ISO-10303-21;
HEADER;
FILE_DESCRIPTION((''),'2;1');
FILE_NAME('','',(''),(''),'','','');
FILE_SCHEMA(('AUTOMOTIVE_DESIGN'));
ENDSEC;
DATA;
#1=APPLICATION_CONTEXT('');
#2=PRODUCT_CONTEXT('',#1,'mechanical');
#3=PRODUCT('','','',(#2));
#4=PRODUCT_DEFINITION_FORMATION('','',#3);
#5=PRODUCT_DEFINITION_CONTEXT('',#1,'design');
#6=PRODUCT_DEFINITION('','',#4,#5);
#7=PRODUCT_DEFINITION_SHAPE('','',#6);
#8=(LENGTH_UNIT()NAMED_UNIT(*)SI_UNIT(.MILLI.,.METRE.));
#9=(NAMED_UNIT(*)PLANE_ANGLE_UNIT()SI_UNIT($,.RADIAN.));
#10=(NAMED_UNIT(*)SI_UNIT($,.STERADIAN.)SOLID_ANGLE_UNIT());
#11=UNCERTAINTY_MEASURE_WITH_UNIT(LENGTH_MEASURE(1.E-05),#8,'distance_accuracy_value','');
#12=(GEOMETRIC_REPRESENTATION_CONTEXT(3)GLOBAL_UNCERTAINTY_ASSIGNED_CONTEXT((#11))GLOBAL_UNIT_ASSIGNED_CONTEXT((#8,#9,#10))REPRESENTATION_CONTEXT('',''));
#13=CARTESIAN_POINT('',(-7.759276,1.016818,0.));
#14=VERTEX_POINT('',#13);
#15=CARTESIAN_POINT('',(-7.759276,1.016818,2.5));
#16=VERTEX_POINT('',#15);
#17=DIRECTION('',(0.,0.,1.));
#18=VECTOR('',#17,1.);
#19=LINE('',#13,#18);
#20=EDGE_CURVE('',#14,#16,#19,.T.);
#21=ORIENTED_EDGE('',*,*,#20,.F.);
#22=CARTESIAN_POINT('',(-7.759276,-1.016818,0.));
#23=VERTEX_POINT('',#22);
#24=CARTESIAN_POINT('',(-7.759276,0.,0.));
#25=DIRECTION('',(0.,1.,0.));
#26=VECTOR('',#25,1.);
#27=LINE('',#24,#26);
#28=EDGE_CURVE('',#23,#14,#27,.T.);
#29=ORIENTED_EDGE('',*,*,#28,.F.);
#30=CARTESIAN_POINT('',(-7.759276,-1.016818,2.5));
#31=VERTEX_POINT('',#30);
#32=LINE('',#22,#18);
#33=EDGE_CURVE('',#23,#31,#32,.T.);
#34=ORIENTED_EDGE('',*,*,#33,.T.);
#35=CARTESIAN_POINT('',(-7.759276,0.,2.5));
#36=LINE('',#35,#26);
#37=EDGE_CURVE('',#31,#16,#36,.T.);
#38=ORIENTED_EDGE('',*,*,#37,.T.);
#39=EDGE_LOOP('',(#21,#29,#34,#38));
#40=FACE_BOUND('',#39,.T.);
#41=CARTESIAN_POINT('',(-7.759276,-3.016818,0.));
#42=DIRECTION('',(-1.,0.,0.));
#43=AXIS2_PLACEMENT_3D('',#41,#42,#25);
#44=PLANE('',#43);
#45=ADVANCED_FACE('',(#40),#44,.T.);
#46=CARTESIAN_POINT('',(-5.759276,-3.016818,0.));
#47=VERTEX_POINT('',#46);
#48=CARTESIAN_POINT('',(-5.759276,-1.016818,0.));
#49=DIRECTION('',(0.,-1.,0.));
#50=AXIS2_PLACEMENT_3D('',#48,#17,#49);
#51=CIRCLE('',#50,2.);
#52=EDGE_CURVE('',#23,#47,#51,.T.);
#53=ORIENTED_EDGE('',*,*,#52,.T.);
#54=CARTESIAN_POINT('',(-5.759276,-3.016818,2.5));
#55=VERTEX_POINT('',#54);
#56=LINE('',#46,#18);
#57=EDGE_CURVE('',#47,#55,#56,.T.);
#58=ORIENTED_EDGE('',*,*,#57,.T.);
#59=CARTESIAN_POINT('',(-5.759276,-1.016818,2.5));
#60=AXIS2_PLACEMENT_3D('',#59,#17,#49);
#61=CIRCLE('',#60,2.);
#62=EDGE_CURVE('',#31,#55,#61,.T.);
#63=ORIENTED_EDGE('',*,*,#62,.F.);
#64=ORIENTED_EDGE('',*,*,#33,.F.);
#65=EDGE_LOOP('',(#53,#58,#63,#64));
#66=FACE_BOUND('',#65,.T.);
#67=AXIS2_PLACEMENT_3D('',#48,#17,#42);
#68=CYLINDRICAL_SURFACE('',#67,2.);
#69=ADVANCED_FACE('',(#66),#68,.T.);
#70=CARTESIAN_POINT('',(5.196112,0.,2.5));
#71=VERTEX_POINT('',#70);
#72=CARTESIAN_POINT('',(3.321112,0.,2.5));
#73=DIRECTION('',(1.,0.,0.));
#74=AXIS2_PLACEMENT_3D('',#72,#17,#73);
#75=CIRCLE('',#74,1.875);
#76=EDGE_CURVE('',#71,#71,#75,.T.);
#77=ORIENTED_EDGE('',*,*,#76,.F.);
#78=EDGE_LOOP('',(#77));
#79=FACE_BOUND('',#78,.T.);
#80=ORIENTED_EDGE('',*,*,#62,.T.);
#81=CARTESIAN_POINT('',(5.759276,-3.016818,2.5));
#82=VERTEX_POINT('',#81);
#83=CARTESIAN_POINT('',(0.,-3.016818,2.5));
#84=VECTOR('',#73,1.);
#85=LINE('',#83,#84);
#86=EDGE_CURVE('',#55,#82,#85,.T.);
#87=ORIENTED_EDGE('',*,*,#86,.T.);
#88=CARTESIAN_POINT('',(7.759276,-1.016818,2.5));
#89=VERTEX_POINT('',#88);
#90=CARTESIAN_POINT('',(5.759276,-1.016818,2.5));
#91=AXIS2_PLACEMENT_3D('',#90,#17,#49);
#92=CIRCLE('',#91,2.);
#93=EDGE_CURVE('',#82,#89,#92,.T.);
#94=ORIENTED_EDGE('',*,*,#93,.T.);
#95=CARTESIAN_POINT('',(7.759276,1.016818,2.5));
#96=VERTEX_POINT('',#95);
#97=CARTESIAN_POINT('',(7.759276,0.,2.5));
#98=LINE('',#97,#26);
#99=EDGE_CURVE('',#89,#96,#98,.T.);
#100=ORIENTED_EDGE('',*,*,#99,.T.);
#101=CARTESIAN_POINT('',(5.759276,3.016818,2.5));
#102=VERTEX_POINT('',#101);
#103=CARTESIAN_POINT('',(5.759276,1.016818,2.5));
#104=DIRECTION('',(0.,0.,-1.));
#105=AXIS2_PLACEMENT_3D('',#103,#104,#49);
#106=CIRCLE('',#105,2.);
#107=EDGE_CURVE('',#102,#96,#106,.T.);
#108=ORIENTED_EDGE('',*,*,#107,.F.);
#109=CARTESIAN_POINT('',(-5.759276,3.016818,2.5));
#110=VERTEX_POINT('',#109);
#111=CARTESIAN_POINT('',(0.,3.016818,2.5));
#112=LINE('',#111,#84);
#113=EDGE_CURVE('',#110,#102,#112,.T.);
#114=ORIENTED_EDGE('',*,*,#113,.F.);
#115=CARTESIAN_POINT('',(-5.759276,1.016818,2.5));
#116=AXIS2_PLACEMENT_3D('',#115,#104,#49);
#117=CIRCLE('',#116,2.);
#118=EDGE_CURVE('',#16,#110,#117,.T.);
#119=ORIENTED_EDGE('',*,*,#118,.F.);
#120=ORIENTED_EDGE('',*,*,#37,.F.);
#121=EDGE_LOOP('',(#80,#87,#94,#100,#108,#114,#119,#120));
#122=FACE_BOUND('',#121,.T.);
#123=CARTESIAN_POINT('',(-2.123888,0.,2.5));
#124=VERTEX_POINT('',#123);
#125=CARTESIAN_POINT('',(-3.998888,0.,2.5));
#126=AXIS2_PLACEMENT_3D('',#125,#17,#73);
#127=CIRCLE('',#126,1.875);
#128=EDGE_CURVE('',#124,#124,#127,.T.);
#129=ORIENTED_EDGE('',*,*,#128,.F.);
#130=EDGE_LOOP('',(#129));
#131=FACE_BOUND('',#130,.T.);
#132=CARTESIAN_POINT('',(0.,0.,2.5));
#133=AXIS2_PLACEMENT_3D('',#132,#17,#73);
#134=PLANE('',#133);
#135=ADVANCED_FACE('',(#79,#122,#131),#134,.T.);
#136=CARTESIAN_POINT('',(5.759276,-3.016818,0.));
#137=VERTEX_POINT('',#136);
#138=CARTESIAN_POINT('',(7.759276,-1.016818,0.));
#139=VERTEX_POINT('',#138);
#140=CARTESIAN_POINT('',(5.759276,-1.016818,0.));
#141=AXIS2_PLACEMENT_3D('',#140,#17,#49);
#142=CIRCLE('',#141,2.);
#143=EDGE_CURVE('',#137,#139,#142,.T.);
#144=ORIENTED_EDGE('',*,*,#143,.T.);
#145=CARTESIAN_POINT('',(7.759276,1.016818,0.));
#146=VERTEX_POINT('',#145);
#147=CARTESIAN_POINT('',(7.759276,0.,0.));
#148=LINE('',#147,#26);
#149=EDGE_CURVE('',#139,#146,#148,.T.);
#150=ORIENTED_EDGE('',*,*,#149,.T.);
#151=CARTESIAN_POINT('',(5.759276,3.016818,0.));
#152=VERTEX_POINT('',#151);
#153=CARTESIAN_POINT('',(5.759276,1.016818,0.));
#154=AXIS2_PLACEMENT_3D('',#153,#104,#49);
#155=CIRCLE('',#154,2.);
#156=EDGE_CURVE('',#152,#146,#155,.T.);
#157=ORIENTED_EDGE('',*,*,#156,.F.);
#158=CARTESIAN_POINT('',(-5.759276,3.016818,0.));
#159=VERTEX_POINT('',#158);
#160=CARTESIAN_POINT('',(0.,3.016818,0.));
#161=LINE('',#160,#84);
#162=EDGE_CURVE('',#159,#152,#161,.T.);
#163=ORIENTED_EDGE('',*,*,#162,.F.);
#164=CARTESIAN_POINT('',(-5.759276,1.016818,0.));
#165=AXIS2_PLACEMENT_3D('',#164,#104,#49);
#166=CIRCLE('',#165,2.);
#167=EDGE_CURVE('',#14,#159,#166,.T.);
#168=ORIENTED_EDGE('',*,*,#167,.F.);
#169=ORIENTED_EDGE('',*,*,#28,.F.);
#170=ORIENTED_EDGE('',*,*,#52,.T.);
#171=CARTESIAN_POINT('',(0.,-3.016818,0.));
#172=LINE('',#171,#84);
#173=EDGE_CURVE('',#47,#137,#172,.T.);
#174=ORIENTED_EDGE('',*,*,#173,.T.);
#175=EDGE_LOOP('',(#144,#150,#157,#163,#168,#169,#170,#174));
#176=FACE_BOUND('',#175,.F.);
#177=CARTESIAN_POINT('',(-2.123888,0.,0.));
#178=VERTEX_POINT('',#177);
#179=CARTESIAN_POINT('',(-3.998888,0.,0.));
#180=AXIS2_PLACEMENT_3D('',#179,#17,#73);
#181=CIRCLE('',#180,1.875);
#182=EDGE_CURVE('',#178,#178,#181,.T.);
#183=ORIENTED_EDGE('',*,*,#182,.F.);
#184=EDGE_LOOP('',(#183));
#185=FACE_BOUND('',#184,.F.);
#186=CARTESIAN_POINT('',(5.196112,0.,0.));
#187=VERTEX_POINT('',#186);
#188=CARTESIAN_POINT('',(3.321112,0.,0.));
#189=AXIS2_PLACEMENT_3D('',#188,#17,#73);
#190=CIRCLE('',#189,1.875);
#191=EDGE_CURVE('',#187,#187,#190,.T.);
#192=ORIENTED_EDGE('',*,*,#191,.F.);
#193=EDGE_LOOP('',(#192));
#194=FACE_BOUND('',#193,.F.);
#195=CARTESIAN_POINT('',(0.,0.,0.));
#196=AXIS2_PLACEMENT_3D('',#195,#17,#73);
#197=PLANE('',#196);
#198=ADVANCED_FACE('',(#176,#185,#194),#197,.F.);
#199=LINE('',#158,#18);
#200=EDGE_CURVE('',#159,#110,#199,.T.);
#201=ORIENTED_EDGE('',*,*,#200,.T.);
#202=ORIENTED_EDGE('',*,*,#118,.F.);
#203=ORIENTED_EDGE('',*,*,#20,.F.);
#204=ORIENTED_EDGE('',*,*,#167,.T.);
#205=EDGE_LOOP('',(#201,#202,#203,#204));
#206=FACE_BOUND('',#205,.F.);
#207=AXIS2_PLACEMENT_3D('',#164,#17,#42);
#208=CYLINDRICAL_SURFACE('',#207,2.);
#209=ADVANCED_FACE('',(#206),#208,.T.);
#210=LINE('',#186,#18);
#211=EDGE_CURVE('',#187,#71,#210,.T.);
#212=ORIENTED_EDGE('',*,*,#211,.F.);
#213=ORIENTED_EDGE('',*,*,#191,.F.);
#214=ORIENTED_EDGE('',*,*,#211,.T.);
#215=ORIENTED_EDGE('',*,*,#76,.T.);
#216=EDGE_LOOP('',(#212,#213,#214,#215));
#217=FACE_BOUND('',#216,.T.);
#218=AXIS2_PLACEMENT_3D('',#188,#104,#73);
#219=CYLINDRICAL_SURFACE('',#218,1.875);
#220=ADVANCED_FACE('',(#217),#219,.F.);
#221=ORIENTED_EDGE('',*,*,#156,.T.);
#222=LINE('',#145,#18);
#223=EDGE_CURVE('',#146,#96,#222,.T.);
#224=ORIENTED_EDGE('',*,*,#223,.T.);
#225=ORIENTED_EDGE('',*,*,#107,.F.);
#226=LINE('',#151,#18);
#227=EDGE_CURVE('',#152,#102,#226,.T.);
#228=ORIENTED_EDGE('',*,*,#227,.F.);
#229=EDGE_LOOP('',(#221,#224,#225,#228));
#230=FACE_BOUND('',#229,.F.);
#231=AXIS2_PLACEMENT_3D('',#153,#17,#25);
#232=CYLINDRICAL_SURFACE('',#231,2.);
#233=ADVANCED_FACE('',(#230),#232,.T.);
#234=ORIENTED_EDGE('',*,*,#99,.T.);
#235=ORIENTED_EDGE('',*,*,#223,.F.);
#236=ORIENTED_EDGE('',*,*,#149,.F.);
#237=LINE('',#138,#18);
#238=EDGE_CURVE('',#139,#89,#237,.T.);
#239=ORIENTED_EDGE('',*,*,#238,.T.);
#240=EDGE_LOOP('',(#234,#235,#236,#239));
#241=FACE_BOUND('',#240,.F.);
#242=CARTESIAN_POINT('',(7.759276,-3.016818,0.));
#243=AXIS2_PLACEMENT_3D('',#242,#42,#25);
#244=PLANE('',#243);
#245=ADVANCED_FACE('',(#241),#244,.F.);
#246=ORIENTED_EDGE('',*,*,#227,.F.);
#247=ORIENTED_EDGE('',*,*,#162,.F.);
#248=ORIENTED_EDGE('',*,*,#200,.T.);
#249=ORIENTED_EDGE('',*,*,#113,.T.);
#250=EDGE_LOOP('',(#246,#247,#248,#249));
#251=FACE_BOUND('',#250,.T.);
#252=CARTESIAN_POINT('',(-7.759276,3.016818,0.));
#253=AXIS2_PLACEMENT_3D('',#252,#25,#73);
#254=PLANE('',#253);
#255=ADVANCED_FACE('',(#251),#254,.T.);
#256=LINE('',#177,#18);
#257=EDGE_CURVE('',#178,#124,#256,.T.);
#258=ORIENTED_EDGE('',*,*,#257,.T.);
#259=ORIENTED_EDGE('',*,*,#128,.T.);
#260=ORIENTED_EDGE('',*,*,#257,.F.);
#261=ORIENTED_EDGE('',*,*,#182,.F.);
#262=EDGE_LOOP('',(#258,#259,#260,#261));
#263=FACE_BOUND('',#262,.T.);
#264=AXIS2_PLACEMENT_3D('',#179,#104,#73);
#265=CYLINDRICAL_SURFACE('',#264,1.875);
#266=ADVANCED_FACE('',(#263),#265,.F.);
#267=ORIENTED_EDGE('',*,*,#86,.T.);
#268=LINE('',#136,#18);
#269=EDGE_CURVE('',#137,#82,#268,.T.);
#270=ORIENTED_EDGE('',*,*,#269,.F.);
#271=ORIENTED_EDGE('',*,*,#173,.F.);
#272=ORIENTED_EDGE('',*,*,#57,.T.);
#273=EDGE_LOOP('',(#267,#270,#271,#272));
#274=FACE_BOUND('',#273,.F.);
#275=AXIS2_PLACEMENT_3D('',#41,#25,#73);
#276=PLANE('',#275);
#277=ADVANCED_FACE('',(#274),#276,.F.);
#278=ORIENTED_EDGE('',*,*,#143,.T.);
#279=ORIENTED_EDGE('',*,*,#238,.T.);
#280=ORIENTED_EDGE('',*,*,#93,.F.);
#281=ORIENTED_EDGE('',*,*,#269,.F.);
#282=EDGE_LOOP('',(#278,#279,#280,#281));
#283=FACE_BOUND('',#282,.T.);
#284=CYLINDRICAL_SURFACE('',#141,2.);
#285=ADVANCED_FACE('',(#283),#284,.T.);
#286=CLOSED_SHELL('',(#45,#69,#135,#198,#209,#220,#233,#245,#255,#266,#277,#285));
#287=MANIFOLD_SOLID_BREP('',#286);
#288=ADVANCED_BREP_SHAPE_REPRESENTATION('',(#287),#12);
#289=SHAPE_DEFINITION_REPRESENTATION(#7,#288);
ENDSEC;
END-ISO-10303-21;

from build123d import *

# Parameters (mm, degrees)
F0_W     = 15.518552
F0_H     = 6.033636
F0_R     = 1.875
F1_DEPTH = 2.5
F2_R     = 2


with BuildPart() as f1:
    # F0 (on Top) → F1 (new body)
    with BuildSketch(Plane.XY):
        Rectangle(F0_W, F0_H)
        with Locations((-3.998888, 0)):
            Circle(F0_R, mode=Mode.SUBTRACT)
        with Locations((3.321112, 0)):
            Circle(F0_R, mode=Mode.SUBTRACT)
    extrude(amount=F1_DEPTH)

    # F2
    f2_edges = [f1.edges().sort_by_distance(p)[0] for p in [
        (7.759276, 3.016818, 1.25),
        (7.759276, -3.016818, 1.25),
        (-7.759276, 3.016818, 1.25),
        (-7.759276, -3.016818, 1.25),
    ]]
    fillet(f2_edges, radius=F2_R)


solid = f1.part
